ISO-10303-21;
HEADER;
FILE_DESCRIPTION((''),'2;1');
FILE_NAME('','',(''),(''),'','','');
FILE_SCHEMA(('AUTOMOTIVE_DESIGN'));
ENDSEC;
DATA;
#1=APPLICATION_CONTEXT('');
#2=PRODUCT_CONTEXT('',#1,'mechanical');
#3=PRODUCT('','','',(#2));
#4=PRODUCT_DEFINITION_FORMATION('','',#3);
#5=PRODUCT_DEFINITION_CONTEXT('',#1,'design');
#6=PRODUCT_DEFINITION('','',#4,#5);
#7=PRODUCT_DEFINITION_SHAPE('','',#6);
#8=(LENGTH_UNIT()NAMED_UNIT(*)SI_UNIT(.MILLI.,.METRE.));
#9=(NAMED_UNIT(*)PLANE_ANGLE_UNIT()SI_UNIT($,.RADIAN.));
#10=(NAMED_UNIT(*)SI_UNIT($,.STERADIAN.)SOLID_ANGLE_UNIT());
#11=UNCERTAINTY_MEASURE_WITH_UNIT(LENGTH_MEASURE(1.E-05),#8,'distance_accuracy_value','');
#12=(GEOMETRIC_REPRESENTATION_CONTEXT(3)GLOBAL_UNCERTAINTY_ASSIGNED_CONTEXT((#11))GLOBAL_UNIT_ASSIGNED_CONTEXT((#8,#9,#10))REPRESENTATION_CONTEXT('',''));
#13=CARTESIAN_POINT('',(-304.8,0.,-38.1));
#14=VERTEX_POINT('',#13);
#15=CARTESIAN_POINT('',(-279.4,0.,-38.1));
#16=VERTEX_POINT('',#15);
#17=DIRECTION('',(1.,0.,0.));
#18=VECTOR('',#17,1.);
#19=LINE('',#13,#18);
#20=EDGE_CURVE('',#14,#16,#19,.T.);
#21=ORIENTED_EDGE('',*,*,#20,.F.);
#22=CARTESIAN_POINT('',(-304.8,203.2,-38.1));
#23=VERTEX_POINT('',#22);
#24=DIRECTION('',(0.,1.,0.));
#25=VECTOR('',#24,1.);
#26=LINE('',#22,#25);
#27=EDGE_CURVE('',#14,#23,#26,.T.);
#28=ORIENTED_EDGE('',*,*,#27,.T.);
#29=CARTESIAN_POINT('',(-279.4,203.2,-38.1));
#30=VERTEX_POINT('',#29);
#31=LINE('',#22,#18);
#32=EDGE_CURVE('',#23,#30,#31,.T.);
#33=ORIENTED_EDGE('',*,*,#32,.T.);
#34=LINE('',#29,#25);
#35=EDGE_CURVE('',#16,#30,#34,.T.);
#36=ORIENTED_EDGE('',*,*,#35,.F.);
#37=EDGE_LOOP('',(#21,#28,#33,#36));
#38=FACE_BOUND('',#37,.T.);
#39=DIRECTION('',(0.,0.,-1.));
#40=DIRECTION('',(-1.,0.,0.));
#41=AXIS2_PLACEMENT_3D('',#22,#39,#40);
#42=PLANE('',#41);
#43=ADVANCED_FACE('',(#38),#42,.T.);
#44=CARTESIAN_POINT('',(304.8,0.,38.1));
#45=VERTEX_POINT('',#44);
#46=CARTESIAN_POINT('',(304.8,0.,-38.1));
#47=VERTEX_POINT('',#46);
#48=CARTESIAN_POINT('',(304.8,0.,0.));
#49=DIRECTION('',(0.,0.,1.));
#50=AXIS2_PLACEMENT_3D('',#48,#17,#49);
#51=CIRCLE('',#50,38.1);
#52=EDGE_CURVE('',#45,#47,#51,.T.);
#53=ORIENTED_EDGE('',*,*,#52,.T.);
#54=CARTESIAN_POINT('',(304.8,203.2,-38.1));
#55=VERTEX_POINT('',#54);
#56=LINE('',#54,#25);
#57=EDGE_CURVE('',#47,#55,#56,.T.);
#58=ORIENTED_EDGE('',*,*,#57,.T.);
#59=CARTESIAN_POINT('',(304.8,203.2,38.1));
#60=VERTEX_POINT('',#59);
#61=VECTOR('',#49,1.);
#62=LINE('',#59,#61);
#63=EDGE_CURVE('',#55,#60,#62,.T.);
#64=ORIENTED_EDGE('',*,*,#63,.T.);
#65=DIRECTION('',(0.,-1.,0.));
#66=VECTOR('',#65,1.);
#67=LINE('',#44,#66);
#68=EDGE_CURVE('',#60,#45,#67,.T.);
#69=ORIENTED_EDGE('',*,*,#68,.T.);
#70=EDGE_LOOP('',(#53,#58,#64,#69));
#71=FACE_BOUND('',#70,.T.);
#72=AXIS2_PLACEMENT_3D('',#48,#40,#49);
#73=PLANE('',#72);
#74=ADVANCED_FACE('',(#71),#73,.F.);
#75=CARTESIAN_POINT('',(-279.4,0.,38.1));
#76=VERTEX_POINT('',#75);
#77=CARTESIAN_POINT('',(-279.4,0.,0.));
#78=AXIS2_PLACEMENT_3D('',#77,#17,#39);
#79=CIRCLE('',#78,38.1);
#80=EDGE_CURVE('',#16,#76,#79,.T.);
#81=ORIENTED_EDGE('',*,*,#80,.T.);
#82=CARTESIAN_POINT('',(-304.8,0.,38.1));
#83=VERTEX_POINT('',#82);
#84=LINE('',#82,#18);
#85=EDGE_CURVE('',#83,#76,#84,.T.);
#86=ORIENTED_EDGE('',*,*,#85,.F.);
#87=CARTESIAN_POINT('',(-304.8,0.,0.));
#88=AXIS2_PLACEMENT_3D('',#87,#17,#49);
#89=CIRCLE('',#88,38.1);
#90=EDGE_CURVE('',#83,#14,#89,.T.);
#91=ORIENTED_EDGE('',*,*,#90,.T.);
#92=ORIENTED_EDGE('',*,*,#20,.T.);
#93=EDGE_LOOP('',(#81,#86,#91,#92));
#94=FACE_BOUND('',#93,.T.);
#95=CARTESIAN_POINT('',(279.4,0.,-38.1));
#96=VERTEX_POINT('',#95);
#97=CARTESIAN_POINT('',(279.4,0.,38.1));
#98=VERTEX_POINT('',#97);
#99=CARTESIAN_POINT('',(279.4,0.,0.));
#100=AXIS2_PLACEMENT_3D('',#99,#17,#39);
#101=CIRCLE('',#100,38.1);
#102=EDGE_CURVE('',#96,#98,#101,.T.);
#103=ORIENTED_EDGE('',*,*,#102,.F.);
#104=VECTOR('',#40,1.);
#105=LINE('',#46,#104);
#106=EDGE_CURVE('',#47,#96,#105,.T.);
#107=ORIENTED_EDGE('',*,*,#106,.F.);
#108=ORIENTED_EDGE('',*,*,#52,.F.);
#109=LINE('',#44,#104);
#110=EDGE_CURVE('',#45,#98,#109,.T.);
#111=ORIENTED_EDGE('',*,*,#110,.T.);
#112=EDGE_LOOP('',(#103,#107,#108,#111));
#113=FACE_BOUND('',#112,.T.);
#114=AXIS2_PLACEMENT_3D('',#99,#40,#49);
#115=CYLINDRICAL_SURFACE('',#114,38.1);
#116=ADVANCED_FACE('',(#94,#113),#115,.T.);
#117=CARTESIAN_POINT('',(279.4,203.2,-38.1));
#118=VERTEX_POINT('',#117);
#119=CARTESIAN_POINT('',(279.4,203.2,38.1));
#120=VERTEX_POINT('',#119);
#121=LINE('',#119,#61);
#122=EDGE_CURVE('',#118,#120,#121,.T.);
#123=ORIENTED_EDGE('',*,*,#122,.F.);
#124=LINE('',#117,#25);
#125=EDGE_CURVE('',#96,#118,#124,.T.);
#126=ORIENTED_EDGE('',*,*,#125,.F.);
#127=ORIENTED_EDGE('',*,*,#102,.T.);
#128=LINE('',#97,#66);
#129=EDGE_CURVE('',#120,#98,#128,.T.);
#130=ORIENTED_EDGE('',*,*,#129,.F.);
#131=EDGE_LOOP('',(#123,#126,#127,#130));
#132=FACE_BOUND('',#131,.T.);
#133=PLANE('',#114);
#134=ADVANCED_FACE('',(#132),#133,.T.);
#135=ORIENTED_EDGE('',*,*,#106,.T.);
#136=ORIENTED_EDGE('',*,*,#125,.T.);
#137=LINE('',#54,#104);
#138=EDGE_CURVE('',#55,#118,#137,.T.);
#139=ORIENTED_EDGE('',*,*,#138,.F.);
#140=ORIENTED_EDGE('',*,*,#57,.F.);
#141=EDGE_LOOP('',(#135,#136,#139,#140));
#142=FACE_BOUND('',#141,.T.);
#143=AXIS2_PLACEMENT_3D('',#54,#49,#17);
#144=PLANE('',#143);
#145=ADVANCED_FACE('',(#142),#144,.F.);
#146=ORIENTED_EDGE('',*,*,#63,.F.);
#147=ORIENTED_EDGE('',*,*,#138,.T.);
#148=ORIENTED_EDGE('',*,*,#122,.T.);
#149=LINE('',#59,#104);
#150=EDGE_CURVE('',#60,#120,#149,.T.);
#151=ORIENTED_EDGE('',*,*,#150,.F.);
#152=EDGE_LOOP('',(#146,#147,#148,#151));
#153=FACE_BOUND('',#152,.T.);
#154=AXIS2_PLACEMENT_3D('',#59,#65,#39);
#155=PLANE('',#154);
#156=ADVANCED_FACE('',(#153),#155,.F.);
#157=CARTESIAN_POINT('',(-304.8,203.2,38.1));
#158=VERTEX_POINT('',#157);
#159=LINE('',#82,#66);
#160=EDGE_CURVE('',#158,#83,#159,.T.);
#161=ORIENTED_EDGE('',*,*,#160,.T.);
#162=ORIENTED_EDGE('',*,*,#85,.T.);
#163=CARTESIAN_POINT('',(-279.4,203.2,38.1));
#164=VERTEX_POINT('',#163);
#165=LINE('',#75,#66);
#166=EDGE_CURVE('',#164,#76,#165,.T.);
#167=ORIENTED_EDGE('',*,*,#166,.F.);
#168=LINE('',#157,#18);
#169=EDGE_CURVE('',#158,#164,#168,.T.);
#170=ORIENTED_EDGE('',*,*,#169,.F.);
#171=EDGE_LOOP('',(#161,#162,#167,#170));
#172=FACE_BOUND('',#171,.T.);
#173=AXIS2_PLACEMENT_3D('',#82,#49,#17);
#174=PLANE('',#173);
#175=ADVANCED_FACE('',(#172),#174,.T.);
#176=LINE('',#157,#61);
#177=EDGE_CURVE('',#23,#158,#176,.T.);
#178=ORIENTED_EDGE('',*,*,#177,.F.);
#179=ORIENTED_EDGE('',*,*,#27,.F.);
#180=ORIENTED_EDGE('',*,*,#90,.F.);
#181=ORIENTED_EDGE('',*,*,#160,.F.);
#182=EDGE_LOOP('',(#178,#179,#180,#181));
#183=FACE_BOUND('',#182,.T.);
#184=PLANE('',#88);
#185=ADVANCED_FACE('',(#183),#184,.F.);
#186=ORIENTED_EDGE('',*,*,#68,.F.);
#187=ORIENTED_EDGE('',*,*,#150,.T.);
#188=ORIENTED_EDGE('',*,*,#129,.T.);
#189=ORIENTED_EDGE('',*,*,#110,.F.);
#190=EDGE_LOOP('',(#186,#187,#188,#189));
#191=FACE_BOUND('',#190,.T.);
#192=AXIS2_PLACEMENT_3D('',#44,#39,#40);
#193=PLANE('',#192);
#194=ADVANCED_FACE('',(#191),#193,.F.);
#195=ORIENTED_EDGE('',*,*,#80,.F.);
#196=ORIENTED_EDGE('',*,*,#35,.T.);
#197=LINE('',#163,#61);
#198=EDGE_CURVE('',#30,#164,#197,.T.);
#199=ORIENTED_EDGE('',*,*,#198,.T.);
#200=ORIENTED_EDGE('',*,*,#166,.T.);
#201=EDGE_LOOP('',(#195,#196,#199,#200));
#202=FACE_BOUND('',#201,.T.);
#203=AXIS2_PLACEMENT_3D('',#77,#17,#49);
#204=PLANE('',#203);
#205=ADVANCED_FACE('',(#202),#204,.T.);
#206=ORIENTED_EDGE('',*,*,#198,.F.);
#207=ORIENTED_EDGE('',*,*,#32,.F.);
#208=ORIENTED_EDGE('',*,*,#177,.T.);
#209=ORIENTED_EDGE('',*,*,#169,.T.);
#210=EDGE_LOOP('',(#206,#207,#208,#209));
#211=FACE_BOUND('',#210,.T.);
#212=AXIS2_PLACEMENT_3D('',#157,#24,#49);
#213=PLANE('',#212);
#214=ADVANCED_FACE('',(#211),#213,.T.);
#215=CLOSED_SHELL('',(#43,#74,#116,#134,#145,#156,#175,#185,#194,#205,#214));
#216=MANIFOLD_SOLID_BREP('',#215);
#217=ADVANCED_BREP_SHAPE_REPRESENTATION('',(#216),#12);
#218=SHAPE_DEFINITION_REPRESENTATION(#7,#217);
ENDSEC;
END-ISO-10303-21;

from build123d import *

# Parameters (mm, degrees)
SKETCH2_R           = 38.1
BOSS_EXTRUDE1_DEPTH = 279.4
BOSS_EXTRUDE2_DEPTH = 25.4


with BuildPart() as part:
    # Sketch2 → Boss-Extrude1 (new body)
    with BuildSketch(Plane(origin=(0, 0, 0), x_dir=(0, 0, -1), z_dir=(1, 0, 0))):
        Circle(SKETCH2_R)
    boss_extrude1 = extrude(amount=BOSS_EXTRUDE1_DEPTH)

    # Sketch3 → Boss-Extrude2 (add)
    with BuildSketch(Plane(origin=(279.4, 0, 0), x_dir=(0, 0, -1), z_dir=(1, 0, 0))):
        with BuildLine():
            Line((-38.1, 0), (-38.1, 203.2))
            Line((-38.1, 203.2), (38.1, 203.2))
            Line((38.1, 203.2), (38.1, 0))
            ThreePointArc((38.1, 0), (0, -38.1), (-38.1, 0))
        make_face()
    boss_extrude2 = extrude(amount=BOSS_EXTRUDE2_DEPTH)

    # Mirror1: Boss-Extrude1, Boss-Extrude2 across plane
    add(boss_extrude1.mirror(Plane(origin=(0, 0, 0), x_dir=(0, 0, 1), z_dir=(1, 0, 0))))
    add(boss_extrude2.mirror(Plane(origin=(0, 0, 0), x_dir=(0, 0, 1), z_dir=(1, 0, 0))))


solid = part.part
